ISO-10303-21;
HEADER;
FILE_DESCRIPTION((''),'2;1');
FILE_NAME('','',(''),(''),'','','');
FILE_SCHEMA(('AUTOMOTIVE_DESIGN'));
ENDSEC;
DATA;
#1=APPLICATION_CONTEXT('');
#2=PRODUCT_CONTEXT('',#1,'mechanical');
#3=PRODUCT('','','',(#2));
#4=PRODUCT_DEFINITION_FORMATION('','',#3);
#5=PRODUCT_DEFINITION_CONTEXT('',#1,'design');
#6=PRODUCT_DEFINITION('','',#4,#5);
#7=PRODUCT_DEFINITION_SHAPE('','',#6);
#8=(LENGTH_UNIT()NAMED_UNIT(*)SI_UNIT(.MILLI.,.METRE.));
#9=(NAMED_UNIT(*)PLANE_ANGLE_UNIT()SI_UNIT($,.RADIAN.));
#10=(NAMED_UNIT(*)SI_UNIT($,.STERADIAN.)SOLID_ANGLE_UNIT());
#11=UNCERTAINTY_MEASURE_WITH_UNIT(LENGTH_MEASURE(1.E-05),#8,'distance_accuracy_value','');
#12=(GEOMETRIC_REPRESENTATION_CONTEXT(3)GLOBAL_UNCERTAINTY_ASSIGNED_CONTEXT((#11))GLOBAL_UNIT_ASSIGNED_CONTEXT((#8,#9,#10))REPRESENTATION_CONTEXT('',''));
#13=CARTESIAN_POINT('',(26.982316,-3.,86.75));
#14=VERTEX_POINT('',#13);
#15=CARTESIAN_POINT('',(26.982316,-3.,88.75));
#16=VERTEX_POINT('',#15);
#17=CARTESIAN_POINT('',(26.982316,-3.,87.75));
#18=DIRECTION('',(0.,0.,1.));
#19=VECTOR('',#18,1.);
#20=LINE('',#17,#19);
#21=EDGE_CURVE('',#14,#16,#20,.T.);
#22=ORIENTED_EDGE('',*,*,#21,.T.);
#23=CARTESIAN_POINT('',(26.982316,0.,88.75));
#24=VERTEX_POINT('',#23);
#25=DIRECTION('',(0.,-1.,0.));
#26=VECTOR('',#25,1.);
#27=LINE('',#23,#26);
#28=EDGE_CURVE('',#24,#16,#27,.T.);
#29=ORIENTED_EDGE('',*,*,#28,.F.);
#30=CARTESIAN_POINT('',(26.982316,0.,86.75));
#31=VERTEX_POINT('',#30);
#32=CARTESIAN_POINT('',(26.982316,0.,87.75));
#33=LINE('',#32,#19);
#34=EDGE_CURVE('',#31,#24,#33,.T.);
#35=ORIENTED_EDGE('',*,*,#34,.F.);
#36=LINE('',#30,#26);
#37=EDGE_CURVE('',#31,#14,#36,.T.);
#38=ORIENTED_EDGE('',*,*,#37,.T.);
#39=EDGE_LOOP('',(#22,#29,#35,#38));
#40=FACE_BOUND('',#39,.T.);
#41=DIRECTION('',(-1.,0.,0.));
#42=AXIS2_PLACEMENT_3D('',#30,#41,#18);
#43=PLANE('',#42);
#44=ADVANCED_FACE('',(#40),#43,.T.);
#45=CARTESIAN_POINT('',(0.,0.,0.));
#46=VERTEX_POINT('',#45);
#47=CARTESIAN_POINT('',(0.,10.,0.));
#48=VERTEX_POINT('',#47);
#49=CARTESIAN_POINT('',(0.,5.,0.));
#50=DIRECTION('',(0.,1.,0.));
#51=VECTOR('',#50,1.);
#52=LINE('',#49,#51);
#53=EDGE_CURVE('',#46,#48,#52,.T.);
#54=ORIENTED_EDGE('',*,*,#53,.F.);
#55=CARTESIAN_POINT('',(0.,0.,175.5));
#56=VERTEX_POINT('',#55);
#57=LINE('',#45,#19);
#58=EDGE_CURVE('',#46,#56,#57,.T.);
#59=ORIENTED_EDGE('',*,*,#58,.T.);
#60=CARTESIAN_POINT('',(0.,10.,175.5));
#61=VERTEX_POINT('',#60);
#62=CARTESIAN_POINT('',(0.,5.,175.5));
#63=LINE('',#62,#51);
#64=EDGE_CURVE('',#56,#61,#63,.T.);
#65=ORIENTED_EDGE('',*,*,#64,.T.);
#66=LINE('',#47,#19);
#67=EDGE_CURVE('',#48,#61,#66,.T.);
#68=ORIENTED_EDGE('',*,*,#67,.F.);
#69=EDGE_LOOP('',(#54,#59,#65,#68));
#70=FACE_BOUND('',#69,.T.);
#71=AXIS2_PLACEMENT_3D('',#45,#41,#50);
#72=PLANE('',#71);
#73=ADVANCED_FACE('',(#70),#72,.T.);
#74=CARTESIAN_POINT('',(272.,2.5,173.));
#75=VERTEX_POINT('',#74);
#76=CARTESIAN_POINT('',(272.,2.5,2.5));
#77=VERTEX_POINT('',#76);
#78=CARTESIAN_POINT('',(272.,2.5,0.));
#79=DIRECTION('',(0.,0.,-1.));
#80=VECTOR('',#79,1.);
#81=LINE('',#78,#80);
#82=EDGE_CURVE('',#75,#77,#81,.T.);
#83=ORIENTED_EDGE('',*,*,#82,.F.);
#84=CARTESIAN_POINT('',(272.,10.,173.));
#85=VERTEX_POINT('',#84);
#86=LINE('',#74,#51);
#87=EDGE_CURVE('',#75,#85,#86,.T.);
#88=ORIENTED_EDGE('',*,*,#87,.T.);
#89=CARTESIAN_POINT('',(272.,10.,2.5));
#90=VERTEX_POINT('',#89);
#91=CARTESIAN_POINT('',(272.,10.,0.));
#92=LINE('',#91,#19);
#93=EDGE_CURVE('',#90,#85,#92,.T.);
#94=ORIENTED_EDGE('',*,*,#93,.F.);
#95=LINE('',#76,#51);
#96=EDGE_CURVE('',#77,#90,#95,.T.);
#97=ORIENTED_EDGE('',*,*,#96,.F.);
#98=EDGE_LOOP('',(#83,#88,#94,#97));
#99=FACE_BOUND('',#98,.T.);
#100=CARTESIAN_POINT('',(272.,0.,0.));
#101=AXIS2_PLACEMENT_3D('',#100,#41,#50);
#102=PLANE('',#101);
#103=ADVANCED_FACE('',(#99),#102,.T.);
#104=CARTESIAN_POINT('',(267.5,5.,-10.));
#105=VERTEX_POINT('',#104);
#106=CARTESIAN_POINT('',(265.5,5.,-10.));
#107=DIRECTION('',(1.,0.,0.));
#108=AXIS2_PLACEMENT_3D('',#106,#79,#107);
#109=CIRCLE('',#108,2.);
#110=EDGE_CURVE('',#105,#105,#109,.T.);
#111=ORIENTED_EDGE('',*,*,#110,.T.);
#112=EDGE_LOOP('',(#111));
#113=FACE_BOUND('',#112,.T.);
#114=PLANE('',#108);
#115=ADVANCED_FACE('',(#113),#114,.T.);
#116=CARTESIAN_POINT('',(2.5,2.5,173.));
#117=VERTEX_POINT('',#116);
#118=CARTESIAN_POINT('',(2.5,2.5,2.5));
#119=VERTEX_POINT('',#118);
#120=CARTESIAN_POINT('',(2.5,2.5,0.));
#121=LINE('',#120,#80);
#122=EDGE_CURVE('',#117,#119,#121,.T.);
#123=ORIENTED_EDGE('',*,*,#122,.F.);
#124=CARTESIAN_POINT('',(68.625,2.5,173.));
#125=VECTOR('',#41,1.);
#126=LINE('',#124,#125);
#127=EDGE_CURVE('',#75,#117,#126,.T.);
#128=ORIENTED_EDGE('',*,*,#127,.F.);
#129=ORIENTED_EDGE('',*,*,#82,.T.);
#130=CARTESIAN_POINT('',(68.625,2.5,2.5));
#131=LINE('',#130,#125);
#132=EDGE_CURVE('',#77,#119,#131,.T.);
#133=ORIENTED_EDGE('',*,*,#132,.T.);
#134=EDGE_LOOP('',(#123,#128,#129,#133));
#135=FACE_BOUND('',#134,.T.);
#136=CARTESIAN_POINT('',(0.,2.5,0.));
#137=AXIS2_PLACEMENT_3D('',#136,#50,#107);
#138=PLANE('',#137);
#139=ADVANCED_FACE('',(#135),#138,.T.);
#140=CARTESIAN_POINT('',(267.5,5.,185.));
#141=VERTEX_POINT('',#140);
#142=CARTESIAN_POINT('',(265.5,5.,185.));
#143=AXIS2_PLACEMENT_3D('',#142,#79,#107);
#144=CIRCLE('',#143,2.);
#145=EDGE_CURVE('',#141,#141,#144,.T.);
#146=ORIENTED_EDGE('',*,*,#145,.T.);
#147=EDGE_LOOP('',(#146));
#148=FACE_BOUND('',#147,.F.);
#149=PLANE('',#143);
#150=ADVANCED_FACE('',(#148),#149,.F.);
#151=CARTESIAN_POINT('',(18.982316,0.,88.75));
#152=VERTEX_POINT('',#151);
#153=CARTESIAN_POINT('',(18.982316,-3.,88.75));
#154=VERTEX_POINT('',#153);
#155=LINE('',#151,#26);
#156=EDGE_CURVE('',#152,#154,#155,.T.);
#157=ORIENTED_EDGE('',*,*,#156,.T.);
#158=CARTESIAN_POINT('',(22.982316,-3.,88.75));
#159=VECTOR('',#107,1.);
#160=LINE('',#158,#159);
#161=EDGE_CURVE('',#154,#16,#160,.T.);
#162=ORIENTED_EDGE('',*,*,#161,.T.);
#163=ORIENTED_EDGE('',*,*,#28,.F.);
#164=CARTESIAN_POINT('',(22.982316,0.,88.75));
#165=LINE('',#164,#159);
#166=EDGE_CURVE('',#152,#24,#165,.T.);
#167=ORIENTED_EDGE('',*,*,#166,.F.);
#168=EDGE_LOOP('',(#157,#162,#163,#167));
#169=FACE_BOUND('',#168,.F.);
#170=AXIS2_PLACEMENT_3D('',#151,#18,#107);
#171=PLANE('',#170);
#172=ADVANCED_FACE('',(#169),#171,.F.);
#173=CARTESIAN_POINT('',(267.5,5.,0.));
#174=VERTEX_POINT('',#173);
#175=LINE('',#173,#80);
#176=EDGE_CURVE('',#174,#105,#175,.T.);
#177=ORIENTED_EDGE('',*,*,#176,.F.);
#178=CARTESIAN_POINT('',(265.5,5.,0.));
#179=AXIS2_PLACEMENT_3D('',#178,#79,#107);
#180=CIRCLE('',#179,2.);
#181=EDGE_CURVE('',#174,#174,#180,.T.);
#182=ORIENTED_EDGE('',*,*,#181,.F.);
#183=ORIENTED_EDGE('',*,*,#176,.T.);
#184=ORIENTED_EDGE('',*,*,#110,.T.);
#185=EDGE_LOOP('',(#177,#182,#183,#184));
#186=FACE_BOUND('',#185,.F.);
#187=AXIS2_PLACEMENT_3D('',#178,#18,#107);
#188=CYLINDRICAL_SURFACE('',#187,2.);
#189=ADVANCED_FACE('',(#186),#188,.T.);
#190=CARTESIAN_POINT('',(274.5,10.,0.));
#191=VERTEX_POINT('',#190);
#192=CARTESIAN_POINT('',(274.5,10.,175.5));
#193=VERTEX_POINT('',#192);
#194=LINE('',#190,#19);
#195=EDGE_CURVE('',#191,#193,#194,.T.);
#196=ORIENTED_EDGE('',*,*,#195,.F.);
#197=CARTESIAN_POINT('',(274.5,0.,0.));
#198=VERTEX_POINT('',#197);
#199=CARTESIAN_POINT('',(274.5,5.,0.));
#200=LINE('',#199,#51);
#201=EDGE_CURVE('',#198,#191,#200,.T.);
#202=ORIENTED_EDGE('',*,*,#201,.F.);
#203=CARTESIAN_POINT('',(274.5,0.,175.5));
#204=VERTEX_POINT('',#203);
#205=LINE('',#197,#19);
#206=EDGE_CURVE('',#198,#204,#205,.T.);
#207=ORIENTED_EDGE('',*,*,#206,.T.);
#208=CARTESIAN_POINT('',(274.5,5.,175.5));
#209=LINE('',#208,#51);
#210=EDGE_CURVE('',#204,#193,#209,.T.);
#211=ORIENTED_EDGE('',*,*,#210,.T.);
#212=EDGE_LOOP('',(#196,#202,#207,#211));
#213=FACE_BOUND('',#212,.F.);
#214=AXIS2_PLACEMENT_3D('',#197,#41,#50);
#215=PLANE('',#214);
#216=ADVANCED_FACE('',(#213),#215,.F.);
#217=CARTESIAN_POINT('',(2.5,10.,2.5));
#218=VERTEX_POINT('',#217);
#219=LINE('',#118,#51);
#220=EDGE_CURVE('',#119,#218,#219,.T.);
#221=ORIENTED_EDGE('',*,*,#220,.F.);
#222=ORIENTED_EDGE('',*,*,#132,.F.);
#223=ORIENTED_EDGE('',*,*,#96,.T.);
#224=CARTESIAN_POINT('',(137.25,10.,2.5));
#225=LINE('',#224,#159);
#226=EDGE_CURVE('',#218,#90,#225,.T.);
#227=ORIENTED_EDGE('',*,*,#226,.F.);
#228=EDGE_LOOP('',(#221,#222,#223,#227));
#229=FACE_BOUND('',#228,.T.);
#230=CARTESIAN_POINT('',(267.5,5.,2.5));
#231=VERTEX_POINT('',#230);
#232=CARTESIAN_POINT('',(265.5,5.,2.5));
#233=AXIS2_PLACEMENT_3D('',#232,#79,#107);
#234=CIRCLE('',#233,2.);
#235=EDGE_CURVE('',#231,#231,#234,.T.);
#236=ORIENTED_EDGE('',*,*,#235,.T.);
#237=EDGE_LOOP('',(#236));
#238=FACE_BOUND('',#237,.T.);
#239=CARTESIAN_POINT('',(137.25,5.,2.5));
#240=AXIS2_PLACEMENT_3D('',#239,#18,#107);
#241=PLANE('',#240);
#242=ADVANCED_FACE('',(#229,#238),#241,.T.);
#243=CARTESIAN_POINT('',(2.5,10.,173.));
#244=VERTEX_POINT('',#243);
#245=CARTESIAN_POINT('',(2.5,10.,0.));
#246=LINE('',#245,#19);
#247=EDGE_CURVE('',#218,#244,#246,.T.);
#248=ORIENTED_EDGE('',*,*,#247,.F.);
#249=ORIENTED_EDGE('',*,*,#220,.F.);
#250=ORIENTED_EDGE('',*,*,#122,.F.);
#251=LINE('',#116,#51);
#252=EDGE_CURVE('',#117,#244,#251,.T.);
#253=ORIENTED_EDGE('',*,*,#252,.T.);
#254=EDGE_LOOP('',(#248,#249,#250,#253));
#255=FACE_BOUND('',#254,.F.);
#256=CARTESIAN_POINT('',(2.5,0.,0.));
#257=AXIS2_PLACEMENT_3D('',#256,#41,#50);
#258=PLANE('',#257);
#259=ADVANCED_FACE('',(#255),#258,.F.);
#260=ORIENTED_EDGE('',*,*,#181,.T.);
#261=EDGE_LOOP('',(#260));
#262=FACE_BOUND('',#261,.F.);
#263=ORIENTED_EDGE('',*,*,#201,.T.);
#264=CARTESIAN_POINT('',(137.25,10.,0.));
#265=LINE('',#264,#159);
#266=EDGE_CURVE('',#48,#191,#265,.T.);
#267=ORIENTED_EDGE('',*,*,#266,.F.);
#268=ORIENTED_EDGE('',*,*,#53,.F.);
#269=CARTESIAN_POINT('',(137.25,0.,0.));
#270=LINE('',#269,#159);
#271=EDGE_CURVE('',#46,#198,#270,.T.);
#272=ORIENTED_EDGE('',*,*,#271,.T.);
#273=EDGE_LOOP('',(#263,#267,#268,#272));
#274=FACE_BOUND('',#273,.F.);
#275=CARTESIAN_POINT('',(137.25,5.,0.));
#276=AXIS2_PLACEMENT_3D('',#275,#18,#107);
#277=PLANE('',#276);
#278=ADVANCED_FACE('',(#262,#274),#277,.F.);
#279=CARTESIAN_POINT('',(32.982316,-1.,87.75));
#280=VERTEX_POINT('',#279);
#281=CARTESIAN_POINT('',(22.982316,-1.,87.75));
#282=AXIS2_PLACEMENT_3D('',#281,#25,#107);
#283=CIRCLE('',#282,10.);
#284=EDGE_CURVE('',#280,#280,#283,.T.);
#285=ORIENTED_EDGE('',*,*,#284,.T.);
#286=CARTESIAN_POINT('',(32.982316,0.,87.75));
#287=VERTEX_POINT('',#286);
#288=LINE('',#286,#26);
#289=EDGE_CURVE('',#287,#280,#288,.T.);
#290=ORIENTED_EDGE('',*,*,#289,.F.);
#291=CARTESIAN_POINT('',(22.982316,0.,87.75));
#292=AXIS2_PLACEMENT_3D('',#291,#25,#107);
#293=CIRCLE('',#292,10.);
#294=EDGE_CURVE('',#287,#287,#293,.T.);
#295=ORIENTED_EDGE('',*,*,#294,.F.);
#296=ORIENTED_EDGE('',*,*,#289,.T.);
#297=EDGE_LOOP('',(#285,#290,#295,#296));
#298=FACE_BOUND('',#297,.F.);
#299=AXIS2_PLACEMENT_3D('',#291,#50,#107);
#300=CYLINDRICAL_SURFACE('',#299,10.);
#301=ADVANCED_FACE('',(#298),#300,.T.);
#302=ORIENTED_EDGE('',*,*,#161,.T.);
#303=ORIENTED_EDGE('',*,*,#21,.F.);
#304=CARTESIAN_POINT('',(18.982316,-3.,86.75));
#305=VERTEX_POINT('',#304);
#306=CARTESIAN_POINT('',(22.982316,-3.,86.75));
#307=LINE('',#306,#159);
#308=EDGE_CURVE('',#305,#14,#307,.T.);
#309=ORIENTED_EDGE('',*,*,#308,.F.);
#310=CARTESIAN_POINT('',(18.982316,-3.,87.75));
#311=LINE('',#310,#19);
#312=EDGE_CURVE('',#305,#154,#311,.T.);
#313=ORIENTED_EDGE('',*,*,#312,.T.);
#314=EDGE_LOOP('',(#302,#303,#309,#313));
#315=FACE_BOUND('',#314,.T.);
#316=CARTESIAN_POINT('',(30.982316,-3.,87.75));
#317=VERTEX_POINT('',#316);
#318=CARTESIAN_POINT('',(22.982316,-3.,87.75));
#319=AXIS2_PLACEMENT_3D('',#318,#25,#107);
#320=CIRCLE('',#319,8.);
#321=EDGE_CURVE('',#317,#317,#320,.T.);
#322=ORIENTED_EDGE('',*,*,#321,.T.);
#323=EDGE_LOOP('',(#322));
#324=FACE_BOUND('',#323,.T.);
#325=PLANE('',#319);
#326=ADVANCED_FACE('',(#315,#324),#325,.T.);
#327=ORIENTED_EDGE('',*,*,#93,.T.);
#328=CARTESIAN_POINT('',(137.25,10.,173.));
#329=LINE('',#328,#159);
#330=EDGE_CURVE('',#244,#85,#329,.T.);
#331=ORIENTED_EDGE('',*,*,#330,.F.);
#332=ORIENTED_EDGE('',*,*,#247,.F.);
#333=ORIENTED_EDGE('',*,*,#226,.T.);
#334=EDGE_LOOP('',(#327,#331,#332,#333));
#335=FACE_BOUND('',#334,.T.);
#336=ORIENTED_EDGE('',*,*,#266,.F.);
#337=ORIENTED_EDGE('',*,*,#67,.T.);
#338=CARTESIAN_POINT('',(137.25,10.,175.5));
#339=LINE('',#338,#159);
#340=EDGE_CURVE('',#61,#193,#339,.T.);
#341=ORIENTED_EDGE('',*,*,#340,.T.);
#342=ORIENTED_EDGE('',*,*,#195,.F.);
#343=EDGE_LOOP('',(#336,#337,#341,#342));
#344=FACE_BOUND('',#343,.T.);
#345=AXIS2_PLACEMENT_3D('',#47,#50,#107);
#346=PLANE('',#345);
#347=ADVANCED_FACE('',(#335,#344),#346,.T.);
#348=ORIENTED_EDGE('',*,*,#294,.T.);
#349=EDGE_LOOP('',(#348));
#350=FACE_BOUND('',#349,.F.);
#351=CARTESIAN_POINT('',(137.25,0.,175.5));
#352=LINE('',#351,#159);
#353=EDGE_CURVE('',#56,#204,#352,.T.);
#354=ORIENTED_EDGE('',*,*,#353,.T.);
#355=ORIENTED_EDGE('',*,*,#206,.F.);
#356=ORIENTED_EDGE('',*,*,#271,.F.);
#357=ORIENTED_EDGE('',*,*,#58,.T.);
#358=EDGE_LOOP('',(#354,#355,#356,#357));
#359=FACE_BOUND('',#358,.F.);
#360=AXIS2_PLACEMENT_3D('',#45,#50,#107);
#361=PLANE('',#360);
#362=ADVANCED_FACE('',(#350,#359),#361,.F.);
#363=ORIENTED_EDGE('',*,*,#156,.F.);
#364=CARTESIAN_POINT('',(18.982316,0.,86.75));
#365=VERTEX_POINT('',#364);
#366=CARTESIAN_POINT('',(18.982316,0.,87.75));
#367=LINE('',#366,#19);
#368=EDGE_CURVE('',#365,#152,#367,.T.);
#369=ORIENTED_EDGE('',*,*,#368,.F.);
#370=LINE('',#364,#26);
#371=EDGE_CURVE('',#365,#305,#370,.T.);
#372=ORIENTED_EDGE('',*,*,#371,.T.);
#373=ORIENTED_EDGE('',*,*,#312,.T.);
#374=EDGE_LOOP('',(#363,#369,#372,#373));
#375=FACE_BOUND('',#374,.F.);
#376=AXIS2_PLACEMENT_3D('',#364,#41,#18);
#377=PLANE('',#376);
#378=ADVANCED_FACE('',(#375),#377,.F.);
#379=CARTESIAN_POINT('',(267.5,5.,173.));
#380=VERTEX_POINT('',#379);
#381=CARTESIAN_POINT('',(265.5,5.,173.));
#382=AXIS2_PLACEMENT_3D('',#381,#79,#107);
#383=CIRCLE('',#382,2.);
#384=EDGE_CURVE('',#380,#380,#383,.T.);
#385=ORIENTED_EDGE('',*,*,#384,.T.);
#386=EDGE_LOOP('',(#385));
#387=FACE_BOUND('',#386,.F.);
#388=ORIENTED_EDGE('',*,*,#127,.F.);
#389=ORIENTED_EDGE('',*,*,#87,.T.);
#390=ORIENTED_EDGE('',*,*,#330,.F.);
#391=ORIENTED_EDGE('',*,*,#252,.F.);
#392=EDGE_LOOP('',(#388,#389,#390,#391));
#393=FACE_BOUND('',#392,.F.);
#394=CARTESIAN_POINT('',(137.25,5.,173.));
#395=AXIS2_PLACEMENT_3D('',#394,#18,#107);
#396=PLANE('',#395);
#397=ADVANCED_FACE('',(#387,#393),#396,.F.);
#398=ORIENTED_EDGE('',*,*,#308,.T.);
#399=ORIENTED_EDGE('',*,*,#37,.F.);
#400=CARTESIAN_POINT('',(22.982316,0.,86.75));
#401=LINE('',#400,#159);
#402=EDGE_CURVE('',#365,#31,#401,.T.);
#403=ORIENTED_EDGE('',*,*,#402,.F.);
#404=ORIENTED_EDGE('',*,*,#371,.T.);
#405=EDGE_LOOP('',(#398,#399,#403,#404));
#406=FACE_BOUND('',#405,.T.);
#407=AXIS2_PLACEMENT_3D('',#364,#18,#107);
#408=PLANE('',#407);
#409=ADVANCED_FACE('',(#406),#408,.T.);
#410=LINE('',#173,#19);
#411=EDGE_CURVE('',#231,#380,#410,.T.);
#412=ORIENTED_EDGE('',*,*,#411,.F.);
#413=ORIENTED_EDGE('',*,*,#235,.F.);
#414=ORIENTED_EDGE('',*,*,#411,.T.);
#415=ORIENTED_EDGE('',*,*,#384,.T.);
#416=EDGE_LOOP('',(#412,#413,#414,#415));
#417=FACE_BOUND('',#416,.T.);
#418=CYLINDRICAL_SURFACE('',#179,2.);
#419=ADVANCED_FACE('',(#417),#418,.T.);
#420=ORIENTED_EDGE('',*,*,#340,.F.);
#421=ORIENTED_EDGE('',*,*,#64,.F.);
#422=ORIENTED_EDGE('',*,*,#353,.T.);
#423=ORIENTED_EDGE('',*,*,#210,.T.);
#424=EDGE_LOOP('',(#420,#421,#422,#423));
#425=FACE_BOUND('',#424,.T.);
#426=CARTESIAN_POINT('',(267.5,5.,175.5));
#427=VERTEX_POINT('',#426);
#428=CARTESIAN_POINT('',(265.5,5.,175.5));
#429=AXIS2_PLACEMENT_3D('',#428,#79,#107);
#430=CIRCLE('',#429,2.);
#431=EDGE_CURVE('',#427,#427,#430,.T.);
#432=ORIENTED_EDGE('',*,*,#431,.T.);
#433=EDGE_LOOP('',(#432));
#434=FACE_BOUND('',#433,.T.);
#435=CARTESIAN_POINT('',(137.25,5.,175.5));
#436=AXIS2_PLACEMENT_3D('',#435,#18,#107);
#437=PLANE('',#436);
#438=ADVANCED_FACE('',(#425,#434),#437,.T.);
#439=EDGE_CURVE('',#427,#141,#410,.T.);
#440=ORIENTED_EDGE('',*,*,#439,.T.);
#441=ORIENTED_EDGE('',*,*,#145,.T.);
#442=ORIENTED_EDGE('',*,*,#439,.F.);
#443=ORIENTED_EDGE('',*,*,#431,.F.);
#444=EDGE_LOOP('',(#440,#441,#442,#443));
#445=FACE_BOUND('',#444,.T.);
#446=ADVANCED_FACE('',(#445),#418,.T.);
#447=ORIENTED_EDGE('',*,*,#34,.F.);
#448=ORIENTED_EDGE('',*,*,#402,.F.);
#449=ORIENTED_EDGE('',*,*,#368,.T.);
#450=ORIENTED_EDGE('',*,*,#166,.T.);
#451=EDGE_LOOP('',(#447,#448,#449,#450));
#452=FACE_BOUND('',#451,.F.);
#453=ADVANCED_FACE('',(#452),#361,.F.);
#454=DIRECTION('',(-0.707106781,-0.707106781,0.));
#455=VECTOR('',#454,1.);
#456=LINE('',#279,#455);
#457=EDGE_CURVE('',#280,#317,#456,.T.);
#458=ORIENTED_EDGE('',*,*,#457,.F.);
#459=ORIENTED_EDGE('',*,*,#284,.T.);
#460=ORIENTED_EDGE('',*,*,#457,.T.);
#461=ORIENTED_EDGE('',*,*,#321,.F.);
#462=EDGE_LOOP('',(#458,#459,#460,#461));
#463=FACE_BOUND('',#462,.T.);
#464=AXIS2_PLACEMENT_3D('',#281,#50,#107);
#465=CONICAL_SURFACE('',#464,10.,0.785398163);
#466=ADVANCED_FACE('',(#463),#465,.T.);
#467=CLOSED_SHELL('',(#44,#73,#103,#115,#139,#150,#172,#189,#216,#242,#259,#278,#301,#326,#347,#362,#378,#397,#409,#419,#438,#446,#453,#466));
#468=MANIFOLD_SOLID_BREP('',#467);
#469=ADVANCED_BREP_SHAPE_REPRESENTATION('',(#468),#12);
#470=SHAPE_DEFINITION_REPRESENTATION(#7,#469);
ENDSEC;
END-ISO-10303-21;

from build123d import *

# Parameters (mm, degrees)
F0_W          = 274.5
F0_H          = 10
F1_DEPTH      = 175.5
F2_T          = -2.5
F3_R          = 2
F4_DEPTH      = 10
F4_DEPTH_BACK = 185
F5_R          = 10
F5_W          = 8
F5_H          = 2
F6_DEPTH      = 3
F7_SIZE       = 2


with BuildPart() as f1:
    # F0 (on Top) → F1 (new body)
    with BuildSketch(Plane.XY):
        with Locations((137.25, 5)):
            Rectangle(F0_W, F0_H)
    extrude(amount=F1_DEPTH)

    # F2
    f2_openings = [f1.faces().sort_by_distance(p)[0] for p in [
        (137.25, 10, 87.75),
    ]]
    offset(amount=F2_T, openings=f2_openings)

    # F3 (on face) → F4 (join, two sides)
    with BuildSketch(Plane(origin=(0, 0, 0), x_dir=(1, 0, 0), z_dir=(0, 0, -1))) as f4_sk:
        with Locations((265.5, -5)):
            Circle(F3_R)
    extrude(amount=F4_DEPTH)
    extrude(f4_sk.sketch, amount=-F4_DEPTH_BACK)

    # F5 (on face) → F6 (join)
    with BuildSketch(Plane.XZ):
        with Locations((22.982316, 87.75)):
            Circle(F5_R)
        with Locations((22.982316, 87.75)):
            Rectangle(F5_W, F5_H, mode=Mode.SUBTRACT)
    extrude(amount=F6_DEPTH)

    # F7
    f7_edges = [f1.edges().sort_by_distance(p)[0] for p in [
        (12.982316, -3, 87.75),
    ]]
    chamfer(f7_edges, length=F7_SIZE)


solid = f1.part
